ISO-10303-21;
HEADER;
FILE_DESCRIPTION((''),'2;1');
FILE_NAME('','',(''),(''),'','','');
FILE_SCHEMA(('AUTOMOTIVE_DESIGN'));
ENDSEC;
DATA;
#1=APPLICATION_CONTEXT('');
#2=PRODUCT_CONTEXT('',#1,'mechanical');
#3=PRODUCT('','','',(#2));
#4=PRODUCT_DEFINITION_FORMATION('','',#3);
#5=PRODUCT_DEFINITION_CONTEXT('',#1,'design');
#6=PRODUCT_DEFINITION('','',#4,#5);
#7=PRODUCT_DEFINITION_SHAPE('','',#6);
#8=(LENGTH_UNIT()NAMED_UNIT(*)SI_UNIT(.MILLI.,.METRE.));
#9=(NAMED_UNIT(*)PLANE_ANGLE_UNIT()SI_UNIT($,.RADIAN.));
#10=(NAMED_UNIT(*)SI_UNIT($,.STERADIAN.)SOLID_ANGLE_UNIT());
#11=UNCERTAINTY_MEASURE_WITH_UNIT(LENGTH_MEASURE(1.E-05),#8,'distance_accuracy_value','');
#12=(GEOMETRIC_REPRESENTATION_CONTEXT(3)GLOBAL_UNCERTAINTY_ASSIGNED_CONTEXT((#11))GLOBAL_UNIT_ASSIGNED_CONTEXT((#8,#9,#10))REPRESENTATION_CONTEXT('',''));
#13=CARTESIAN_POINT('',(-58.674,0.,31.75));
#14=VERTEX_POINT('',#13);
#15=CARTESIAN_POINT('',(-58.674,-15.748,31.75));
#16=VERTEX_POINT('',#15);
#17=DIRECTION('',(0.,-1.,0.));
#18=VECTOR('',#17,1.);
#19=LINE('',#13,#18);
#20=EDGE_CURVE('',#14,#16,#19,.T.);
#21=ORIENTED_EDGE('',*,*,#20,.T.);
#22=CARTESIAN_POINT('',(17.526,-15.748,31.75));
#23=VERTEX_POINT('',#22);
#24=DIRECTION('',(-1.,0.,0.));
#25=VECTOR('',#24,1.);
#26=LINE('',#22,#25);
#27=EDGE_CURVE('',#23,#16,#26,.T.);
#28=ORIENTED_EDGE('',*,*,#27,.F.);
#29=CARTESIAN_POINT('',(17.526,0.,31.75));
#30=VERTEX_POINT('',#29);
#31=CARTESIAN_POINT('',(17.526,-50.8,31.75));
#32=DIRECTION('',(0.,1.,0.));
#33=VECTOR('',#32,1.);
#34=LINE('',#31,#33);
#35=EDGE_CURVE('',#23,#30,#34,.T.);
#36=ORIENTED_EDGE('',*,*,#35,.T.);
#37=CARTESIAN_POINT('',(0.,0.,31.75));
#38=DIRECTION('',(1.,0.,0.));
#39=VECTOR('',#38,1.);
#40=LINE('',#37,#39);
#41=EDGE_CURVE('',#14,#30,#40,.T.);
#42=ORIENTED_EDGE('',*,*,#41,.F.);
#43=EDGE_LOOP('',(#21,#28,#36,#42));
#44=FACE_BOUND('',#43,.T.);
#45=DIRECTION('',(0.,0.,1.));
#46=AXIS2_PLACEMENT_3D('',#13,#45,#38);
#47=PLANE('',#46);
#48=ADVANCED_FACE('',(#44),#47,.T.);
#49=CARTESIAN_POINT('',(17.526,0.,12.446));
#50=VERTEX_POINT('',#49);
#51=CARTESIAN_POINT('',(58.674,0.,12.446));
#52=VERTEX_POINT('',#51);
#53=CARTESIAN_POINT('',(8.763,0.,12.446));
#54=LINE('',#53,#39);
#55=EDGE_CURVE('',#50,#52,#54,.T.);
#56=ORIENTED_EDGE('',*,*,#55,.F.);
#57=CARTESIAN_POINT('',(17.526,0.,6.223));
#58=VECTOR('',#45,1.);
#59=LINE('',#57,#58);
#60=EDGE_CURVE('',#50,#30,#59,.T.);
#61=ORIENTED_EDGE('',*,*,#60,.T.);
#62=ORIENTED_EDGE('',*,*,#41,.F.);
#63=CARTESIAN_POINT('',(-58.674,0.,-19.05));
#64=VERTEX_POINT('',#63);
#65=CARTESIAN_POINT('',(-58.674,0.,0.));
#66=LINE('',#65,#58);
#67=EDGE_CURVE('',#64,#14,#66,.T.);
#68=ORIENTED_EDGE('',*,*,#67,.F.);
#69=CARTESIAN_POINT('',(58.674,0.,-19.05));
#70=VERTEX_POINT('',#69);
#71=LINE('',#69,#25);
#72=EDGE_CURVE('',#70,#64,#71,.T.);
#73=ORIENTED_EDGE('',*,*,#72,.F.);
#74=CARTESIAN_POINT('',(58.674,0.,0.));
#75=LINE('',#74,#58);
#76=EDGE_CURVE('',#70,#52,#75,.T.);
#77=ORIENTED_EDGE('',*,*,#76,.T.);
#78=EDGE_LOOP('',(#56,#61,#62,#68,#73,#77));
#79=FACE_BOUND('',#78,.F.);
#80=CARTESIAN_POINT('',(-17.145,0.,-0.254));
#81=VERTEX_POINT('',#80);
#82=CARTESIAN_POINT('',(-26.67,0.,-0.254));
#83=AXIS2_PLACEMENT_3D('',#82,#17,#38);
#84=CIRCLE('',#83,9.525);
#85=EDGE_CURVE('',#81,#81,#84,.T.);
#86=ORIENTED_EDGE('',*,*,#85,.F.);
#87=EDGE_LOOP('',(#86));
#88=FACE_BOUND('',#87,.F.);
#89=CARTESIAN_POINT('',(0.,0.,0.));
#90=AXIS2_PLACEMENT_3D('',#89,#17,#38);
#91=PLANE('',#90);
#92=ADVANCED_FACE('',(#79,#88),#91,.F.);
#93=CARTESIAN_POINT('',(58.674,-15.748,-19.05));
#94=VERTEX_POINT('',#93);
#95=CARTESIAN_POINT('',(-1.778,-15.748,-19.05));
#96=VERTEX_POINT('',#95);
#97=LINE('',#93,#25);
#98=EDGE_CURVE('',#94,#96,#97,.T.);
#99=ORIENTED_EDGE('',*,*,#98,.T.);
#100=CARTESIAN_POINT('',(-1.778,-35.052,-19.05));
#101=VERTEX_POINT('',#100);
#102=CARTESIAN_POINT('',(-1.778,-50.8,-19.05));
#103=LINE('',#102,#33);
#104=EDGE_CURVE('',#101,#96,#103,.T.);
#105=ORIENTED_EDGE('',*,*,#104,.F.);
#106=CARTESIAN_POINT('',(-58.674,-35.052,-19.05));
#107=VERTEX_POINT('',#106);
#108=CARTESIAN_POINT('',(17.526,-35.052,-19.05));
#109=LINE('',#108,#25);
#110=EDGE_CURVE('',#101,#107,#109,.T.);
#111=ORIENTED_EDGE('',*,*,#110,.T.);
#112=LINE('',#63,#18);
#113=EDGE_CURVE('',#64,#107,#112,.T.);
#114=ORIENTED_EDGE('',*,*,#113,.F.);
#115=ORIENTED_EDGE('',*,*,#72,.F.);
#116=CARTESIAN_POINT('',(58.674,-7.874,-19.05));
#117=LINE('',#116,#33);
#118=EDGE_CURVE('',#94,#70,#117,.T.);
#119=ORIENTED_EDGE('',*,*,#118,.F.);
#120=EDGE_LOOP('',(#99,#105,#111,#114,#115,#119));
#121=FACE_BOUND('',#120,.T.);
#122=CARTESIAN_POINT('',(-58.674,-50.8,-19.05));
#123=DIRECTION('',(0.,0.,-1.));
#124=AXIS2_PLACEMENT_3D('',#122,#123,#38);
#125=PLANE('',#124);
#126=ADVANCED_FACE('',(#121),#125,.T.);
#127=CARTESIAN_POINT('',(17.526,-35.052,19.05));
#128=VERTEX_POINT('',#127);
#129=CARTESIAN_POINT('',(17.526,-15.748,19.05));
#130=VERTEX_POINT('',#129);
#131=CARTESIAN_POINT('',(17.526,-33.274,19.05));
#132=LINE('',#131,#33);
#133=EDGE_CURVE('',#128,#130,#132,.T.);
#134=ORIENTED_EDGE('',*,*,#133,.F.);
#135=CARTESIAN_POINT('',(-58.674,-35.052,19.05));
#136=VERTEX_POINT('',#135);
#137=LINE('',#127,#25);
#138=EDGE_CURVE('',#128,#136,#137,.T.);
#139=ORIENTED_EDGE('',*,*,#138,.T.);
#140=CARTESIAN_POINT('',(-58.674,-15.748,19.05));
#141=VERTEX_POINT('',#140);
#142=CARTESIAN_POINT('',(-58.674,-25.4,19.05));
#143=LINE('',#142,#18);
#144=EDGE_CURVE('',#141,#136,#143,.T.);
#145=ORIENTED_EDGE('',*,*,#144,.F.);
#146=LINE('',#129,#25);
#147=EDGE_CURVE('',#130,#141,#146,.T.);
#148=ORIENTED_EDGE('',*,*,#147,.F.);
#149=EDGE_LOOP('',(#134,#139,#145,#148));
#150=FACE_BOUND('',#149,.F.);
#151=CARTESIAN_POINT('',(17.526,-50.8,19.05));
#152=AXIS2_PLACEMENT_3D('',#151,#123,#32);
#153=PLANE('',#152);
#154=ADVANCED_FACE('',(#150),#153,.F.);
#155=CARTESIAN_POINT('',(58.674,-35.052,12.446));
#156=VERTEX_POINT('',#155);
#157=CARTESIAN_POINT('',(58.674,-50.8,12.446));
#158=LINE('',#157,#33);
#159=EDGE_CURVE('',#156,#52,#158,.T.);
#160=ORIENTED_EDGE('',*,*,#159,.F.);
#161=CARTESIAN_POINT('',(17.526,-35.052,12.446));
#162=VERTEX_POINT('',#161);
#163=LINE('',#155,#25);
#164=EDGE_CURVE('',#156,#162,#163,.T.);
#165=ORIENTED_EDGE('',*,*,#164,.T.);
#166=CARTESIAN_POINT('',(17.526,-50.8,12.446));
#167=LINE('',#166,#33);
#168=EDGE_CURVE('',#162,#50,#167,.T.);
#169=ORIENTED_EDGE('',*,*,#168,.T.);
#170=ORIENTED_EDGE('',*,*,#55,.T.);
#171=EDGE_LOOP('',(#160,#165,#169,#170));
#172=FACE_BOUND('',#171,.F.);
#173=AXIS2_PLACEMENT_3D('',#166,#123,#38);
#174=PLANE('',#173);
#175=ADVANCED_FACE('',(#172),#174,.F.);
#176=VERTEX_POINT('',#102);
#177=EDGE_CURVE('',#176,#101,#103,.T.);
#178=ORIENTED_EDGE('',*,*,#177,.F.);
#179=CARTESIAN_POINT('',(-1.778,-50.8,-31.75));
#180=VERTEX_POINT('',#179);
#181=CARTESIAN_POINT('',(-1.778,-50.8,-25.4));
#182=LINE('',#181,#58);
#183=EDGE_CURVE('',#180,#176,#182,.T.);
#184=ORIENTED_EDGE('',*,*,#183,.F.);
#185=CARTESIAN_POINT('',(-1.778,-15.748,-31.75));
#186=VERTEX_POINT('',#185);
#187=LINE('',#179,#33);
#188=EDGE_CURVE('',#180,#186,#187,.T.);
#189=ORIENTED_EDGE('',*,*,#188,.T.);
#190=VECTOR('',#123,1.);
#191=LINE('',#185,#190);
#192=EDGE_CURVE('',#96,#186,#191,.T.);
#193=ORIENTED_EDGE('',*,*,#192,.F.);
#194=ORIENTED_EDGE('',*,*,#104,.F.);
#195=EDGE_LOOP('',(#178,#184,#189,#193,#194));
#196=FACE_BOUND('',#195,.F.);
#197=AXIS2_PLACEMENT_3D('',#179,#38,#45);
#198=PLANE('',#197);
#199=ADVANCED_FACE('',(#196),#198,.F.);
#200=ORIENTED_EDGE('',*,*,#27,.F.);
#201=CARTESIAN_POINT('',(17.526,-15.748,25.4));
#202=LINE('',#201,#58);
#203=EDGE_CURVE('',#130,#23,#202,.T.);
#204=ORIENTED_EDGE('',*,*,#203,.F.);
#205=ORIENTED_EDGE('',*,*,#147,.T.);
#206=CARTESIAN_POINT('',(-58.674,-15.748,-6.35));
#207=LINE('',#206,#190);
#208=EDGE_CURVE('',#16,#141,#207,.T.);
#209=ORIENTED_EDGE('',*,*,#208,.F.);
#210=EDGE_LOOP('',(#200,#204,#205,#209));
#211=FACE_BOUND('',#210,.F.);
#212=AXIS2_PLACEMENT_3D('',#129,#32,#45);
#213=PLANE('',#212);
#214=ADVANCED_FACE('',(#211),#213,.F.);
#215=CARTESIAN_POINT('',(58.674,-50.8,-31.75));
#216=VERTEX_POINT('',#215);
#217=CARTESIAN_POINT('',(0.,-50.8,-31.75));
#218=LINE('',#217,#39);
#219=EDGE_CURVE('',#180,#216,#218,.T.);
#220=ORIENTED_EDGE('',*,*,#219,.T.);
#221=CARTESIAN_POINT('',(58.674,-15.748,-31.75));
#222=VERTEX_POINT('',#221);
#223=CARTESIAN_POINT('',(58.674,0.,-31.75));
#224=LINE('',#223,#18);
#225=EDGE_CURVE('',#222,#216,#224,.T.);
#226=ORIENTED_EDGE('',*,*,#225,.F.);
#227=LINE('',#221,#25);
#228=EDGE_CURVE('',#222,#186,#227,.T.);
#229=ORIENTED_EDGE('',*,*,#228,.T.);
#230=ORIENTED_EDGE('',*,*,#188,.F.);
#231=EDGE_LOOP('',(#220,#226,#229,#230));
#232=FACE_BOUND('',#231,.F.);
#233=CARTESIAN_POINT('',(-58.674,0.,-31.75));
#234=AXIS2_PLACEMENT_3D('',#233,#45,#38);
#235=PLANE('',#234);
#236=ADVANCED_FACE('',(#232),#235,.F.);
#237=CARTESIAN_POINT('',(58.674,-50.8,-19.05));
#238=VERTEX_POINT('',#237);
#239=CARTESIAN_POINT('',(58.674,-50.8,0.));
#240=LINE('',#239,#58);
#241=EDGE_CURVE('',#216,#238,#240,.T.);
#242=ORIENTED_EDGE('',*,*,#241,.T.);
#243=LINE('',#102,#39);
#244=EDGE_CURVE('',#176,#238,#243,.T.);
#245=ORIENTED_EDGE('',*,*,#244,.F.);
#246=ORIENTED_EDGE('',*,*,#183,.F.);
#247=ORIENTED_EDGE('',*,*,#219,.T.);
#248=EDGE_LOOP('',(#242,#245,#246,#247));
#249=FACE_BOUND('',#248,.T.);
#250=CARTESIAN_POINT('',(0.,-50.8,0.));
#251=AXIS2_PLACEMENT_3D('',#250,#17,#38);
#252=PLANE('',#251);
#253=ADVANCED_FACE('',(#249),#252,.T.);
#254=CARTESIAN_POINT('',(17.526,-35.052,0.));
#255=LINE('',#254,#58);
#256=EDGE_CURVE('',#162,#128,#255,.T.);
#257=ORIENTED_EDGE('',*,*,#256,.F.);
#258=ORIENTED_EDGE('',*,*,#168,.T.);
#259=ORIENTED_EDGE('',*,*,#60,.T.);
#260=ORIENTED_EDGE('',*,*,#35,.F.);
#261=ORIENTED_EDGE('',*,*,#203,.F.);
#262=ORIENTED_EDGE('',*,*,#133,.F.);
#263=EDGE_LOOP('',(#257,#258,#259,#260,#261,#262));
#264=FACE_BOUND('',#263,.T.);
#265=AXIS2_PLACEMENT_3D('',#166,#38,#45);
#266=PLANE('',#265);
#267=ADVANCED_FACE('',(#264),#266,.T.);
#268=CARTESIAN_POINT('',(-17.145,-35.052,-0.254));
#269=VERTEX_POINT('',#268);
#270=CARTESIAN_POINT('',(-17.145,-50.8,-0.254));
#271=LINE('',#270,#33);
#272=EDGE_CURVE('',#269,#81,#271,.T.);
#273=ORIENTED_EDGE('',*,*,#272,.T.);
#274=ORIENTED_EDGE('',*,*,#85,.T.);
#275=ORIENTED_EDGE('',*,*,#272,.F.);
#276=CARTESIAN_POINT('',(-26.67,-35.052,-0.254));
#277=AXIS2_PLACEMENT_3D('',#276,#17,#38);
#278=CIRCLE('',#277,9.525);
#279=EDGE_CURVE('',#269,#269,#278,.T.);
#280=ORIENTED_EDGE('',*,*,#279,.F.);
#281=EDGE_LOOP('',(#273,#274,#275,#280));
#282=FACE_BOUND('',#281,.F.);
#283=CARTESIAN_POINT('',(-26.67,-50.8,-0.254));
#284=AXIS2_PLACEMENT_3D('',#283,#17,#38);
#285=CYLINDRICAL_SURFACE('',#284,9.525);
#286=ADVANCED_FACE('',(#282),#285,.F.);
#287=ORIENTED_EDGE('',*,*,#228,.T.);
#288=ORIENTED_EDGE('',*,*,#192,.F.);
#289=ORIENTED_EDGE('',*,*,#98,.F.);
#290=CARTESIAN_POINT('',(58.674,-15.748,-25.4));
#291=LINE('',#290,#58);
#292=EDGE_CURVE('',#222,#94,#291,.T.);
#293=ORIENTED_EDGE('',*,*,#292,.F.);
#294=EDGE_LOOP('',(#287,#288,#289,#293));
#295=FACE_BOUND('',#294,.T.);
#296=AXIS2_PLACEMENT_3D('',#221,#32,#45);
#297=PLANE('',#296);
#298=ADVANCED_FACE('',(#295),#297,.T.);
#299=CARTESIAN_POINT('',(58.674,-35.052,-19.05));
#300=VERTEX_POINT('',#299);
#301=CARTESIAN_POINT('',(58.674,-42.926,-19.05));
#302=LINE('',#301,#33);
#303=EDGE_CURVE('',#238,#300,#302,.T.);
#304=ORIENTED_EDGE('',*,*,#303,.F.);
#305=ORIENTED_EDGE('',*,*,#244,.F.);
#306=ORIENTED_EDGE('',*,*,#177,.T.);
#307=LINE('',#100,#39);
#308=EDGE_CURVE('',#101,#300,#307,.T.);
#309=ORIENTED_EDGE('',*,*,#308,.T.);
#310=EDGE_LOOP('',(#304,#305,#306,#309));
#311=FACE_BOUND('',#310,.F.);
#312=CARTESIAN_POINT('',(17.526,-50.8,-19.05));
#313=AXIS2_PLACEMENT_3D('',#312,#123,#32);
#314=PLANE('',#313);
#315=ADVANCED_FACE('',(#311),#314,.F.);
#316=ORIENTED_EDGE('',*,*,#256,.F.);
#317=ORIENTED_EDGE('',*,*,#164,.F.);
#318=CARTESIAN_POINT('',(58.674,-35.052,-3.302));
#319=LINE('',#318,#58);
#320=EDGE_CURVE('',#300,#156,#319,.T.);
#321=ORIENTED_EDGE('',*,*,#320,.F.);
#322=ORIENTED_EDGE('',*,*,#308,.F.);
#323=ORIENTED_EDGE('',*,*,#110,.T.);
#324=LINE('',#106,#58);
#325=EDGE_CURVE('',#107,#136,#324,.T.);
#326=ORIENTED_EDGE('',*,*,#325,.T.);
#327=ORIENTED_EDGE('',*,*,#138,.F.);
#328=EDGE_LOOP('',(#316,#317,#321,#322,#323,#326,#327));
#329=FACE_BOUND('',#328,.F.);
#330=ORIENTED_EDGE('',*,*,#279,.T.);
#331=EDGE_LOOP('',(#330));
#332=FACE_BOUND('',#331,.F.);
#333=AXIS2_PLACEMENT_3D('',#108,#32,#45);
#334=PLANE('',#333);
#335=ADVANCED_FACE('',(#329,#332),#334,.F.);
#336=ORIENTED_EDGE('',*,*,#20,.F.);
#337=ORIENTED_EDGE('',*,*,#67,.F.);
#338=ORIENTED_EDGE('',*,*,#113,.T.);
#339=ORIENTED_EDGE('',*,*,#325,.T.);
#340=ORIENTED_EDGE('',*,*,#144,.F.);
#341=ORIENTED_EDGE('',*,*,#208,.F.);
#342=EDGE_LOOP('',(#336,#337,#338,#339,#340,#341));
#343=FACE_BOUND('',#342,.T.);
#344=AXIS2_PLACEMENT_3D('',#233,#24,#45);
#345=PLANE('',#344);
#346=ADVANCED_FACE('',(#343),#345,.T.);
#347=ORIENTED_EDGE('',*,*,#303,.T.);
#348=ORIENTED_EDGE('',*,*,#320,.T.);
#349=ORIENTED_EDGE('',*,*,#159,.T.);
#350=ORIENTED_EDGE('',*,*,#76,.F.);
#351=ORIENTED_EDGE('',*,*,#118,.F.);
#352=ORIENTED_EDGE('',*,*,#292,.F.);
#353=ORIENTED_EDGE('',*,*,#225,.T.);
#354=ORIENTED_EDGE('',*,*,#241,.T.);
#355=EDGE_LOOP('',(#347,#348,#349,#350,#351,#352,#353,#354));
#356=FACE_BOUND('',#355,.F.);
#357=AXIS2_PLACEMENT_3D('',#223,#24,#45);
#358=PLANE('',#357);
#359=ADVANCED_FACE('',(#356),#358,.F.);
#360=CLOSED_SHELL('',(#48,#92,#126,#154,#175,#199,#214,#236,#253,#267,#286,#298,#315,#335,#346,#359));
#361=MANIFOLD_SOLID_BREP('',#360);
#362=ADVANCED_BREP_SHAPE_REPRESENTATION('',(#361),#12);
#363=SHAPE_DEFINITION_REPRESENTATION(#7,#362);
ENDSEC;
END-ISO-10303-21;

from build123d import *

# Parameters (mm, degrees)
F0_W      = 117.348
F0_H      = 63.5
F1_DEPTH  = 50.8
F2_W      = 41.148
F2_H      = 19.304
F3_DEPTH  = 50.801
F5_R      = 9.525
F6_DEPTH  = 50.801
F7_W      = 15.748
F7_H      = 12.7
F8_DEPTH  = 117.349
F9_W      = 35.052
F9_H      = 12.7
F10_DEPTH = 76.201
F4_W      = 56.896
F4_H      = 12.7
F12_DEPTH = 50.801
F11_W     = 15.748
F11_H     = 38.1
F13_DEPTH = 76.201
F14_W     = 15.748
F14_H     = 31.496
F15_DEPTH = 117.349


with BuildPart() as f1:
    # F0 (on Front) → F1 (new body)
    with BuildSketch(Plane.XZ):
        Rectangle(F0_W, F0_H)
    extrude(amount=F1_DEPTH)

    # F2 (on face) → F3 (cut, through all)
    with BuildSketch(Plane.XZ.offset(50.8)):
        with Locations((38.1, 22.098)):
            Rectangle(F2_W, F2_H)
    extrude(amount=-F3_DEPTH, mode=Mode.SUBTRACT)

    # F5 (on face) → F6 (cut, through all)
    with BuildSketch(Plane.XZ.offset(50.8)):
        with Locations((-26.67, -0.254)):
            Circle(F5_R)
    extrude(amount=-F6_DEPTH, mode=Mode.SUBTRACT)

    # F7 (on face) → F8 (cut, through all)
    with BuildSketch(Plane.YZ.offset(58.674)):
        with Locations((-7.874, -25.4)):
            Rectangle(F7_W, F7_H)
    extrude(amount=-F8_DEPTH, mode=Mode.SUBTRACT)

    # F9 (on face) → F10 (cut, through all)
    with BuildSketch(Plane.YZ.offset(17.526)):
        with Locations((-33.274, 25.4)):
            Rectangle(F9_W, F9_H)
    extrude(amount=-F10_DEPTH, mode=Mode.SUBTRACT)

    # F4 (on face) → F12 (cut, through all)
    with BuildSketch(Plane.XZ.offset(50.8)):
        with Locations((-30.226, -25.4)):
            Rectangle(F4_W, F4_H)
    extrude(amount=-F12_DEPTH, mode=Mode.SUBTRACT)

    # F11 (on face) → F13 (cut, through all)
    with BuildSketch(Plane.YZ.offset(17.526)):
        with Locations((-42.926, 0)):
            Rectangle(F11_W, F11_H)
    extrude(amount=-F13_DEPTH, mode=Mode.SUBTRACT)

    # F14 (on face) → F15 (cut, through all)
    with BuildSketch(Plane.YZ.offset(58.674)):
        with Locations((-42.926, -3.302)):
            Rectangle(F14_W, F14_H)
    extrude(amount=-F15_DEPTH, mode=Mode.SUBTRACT)


solid = f1.part
